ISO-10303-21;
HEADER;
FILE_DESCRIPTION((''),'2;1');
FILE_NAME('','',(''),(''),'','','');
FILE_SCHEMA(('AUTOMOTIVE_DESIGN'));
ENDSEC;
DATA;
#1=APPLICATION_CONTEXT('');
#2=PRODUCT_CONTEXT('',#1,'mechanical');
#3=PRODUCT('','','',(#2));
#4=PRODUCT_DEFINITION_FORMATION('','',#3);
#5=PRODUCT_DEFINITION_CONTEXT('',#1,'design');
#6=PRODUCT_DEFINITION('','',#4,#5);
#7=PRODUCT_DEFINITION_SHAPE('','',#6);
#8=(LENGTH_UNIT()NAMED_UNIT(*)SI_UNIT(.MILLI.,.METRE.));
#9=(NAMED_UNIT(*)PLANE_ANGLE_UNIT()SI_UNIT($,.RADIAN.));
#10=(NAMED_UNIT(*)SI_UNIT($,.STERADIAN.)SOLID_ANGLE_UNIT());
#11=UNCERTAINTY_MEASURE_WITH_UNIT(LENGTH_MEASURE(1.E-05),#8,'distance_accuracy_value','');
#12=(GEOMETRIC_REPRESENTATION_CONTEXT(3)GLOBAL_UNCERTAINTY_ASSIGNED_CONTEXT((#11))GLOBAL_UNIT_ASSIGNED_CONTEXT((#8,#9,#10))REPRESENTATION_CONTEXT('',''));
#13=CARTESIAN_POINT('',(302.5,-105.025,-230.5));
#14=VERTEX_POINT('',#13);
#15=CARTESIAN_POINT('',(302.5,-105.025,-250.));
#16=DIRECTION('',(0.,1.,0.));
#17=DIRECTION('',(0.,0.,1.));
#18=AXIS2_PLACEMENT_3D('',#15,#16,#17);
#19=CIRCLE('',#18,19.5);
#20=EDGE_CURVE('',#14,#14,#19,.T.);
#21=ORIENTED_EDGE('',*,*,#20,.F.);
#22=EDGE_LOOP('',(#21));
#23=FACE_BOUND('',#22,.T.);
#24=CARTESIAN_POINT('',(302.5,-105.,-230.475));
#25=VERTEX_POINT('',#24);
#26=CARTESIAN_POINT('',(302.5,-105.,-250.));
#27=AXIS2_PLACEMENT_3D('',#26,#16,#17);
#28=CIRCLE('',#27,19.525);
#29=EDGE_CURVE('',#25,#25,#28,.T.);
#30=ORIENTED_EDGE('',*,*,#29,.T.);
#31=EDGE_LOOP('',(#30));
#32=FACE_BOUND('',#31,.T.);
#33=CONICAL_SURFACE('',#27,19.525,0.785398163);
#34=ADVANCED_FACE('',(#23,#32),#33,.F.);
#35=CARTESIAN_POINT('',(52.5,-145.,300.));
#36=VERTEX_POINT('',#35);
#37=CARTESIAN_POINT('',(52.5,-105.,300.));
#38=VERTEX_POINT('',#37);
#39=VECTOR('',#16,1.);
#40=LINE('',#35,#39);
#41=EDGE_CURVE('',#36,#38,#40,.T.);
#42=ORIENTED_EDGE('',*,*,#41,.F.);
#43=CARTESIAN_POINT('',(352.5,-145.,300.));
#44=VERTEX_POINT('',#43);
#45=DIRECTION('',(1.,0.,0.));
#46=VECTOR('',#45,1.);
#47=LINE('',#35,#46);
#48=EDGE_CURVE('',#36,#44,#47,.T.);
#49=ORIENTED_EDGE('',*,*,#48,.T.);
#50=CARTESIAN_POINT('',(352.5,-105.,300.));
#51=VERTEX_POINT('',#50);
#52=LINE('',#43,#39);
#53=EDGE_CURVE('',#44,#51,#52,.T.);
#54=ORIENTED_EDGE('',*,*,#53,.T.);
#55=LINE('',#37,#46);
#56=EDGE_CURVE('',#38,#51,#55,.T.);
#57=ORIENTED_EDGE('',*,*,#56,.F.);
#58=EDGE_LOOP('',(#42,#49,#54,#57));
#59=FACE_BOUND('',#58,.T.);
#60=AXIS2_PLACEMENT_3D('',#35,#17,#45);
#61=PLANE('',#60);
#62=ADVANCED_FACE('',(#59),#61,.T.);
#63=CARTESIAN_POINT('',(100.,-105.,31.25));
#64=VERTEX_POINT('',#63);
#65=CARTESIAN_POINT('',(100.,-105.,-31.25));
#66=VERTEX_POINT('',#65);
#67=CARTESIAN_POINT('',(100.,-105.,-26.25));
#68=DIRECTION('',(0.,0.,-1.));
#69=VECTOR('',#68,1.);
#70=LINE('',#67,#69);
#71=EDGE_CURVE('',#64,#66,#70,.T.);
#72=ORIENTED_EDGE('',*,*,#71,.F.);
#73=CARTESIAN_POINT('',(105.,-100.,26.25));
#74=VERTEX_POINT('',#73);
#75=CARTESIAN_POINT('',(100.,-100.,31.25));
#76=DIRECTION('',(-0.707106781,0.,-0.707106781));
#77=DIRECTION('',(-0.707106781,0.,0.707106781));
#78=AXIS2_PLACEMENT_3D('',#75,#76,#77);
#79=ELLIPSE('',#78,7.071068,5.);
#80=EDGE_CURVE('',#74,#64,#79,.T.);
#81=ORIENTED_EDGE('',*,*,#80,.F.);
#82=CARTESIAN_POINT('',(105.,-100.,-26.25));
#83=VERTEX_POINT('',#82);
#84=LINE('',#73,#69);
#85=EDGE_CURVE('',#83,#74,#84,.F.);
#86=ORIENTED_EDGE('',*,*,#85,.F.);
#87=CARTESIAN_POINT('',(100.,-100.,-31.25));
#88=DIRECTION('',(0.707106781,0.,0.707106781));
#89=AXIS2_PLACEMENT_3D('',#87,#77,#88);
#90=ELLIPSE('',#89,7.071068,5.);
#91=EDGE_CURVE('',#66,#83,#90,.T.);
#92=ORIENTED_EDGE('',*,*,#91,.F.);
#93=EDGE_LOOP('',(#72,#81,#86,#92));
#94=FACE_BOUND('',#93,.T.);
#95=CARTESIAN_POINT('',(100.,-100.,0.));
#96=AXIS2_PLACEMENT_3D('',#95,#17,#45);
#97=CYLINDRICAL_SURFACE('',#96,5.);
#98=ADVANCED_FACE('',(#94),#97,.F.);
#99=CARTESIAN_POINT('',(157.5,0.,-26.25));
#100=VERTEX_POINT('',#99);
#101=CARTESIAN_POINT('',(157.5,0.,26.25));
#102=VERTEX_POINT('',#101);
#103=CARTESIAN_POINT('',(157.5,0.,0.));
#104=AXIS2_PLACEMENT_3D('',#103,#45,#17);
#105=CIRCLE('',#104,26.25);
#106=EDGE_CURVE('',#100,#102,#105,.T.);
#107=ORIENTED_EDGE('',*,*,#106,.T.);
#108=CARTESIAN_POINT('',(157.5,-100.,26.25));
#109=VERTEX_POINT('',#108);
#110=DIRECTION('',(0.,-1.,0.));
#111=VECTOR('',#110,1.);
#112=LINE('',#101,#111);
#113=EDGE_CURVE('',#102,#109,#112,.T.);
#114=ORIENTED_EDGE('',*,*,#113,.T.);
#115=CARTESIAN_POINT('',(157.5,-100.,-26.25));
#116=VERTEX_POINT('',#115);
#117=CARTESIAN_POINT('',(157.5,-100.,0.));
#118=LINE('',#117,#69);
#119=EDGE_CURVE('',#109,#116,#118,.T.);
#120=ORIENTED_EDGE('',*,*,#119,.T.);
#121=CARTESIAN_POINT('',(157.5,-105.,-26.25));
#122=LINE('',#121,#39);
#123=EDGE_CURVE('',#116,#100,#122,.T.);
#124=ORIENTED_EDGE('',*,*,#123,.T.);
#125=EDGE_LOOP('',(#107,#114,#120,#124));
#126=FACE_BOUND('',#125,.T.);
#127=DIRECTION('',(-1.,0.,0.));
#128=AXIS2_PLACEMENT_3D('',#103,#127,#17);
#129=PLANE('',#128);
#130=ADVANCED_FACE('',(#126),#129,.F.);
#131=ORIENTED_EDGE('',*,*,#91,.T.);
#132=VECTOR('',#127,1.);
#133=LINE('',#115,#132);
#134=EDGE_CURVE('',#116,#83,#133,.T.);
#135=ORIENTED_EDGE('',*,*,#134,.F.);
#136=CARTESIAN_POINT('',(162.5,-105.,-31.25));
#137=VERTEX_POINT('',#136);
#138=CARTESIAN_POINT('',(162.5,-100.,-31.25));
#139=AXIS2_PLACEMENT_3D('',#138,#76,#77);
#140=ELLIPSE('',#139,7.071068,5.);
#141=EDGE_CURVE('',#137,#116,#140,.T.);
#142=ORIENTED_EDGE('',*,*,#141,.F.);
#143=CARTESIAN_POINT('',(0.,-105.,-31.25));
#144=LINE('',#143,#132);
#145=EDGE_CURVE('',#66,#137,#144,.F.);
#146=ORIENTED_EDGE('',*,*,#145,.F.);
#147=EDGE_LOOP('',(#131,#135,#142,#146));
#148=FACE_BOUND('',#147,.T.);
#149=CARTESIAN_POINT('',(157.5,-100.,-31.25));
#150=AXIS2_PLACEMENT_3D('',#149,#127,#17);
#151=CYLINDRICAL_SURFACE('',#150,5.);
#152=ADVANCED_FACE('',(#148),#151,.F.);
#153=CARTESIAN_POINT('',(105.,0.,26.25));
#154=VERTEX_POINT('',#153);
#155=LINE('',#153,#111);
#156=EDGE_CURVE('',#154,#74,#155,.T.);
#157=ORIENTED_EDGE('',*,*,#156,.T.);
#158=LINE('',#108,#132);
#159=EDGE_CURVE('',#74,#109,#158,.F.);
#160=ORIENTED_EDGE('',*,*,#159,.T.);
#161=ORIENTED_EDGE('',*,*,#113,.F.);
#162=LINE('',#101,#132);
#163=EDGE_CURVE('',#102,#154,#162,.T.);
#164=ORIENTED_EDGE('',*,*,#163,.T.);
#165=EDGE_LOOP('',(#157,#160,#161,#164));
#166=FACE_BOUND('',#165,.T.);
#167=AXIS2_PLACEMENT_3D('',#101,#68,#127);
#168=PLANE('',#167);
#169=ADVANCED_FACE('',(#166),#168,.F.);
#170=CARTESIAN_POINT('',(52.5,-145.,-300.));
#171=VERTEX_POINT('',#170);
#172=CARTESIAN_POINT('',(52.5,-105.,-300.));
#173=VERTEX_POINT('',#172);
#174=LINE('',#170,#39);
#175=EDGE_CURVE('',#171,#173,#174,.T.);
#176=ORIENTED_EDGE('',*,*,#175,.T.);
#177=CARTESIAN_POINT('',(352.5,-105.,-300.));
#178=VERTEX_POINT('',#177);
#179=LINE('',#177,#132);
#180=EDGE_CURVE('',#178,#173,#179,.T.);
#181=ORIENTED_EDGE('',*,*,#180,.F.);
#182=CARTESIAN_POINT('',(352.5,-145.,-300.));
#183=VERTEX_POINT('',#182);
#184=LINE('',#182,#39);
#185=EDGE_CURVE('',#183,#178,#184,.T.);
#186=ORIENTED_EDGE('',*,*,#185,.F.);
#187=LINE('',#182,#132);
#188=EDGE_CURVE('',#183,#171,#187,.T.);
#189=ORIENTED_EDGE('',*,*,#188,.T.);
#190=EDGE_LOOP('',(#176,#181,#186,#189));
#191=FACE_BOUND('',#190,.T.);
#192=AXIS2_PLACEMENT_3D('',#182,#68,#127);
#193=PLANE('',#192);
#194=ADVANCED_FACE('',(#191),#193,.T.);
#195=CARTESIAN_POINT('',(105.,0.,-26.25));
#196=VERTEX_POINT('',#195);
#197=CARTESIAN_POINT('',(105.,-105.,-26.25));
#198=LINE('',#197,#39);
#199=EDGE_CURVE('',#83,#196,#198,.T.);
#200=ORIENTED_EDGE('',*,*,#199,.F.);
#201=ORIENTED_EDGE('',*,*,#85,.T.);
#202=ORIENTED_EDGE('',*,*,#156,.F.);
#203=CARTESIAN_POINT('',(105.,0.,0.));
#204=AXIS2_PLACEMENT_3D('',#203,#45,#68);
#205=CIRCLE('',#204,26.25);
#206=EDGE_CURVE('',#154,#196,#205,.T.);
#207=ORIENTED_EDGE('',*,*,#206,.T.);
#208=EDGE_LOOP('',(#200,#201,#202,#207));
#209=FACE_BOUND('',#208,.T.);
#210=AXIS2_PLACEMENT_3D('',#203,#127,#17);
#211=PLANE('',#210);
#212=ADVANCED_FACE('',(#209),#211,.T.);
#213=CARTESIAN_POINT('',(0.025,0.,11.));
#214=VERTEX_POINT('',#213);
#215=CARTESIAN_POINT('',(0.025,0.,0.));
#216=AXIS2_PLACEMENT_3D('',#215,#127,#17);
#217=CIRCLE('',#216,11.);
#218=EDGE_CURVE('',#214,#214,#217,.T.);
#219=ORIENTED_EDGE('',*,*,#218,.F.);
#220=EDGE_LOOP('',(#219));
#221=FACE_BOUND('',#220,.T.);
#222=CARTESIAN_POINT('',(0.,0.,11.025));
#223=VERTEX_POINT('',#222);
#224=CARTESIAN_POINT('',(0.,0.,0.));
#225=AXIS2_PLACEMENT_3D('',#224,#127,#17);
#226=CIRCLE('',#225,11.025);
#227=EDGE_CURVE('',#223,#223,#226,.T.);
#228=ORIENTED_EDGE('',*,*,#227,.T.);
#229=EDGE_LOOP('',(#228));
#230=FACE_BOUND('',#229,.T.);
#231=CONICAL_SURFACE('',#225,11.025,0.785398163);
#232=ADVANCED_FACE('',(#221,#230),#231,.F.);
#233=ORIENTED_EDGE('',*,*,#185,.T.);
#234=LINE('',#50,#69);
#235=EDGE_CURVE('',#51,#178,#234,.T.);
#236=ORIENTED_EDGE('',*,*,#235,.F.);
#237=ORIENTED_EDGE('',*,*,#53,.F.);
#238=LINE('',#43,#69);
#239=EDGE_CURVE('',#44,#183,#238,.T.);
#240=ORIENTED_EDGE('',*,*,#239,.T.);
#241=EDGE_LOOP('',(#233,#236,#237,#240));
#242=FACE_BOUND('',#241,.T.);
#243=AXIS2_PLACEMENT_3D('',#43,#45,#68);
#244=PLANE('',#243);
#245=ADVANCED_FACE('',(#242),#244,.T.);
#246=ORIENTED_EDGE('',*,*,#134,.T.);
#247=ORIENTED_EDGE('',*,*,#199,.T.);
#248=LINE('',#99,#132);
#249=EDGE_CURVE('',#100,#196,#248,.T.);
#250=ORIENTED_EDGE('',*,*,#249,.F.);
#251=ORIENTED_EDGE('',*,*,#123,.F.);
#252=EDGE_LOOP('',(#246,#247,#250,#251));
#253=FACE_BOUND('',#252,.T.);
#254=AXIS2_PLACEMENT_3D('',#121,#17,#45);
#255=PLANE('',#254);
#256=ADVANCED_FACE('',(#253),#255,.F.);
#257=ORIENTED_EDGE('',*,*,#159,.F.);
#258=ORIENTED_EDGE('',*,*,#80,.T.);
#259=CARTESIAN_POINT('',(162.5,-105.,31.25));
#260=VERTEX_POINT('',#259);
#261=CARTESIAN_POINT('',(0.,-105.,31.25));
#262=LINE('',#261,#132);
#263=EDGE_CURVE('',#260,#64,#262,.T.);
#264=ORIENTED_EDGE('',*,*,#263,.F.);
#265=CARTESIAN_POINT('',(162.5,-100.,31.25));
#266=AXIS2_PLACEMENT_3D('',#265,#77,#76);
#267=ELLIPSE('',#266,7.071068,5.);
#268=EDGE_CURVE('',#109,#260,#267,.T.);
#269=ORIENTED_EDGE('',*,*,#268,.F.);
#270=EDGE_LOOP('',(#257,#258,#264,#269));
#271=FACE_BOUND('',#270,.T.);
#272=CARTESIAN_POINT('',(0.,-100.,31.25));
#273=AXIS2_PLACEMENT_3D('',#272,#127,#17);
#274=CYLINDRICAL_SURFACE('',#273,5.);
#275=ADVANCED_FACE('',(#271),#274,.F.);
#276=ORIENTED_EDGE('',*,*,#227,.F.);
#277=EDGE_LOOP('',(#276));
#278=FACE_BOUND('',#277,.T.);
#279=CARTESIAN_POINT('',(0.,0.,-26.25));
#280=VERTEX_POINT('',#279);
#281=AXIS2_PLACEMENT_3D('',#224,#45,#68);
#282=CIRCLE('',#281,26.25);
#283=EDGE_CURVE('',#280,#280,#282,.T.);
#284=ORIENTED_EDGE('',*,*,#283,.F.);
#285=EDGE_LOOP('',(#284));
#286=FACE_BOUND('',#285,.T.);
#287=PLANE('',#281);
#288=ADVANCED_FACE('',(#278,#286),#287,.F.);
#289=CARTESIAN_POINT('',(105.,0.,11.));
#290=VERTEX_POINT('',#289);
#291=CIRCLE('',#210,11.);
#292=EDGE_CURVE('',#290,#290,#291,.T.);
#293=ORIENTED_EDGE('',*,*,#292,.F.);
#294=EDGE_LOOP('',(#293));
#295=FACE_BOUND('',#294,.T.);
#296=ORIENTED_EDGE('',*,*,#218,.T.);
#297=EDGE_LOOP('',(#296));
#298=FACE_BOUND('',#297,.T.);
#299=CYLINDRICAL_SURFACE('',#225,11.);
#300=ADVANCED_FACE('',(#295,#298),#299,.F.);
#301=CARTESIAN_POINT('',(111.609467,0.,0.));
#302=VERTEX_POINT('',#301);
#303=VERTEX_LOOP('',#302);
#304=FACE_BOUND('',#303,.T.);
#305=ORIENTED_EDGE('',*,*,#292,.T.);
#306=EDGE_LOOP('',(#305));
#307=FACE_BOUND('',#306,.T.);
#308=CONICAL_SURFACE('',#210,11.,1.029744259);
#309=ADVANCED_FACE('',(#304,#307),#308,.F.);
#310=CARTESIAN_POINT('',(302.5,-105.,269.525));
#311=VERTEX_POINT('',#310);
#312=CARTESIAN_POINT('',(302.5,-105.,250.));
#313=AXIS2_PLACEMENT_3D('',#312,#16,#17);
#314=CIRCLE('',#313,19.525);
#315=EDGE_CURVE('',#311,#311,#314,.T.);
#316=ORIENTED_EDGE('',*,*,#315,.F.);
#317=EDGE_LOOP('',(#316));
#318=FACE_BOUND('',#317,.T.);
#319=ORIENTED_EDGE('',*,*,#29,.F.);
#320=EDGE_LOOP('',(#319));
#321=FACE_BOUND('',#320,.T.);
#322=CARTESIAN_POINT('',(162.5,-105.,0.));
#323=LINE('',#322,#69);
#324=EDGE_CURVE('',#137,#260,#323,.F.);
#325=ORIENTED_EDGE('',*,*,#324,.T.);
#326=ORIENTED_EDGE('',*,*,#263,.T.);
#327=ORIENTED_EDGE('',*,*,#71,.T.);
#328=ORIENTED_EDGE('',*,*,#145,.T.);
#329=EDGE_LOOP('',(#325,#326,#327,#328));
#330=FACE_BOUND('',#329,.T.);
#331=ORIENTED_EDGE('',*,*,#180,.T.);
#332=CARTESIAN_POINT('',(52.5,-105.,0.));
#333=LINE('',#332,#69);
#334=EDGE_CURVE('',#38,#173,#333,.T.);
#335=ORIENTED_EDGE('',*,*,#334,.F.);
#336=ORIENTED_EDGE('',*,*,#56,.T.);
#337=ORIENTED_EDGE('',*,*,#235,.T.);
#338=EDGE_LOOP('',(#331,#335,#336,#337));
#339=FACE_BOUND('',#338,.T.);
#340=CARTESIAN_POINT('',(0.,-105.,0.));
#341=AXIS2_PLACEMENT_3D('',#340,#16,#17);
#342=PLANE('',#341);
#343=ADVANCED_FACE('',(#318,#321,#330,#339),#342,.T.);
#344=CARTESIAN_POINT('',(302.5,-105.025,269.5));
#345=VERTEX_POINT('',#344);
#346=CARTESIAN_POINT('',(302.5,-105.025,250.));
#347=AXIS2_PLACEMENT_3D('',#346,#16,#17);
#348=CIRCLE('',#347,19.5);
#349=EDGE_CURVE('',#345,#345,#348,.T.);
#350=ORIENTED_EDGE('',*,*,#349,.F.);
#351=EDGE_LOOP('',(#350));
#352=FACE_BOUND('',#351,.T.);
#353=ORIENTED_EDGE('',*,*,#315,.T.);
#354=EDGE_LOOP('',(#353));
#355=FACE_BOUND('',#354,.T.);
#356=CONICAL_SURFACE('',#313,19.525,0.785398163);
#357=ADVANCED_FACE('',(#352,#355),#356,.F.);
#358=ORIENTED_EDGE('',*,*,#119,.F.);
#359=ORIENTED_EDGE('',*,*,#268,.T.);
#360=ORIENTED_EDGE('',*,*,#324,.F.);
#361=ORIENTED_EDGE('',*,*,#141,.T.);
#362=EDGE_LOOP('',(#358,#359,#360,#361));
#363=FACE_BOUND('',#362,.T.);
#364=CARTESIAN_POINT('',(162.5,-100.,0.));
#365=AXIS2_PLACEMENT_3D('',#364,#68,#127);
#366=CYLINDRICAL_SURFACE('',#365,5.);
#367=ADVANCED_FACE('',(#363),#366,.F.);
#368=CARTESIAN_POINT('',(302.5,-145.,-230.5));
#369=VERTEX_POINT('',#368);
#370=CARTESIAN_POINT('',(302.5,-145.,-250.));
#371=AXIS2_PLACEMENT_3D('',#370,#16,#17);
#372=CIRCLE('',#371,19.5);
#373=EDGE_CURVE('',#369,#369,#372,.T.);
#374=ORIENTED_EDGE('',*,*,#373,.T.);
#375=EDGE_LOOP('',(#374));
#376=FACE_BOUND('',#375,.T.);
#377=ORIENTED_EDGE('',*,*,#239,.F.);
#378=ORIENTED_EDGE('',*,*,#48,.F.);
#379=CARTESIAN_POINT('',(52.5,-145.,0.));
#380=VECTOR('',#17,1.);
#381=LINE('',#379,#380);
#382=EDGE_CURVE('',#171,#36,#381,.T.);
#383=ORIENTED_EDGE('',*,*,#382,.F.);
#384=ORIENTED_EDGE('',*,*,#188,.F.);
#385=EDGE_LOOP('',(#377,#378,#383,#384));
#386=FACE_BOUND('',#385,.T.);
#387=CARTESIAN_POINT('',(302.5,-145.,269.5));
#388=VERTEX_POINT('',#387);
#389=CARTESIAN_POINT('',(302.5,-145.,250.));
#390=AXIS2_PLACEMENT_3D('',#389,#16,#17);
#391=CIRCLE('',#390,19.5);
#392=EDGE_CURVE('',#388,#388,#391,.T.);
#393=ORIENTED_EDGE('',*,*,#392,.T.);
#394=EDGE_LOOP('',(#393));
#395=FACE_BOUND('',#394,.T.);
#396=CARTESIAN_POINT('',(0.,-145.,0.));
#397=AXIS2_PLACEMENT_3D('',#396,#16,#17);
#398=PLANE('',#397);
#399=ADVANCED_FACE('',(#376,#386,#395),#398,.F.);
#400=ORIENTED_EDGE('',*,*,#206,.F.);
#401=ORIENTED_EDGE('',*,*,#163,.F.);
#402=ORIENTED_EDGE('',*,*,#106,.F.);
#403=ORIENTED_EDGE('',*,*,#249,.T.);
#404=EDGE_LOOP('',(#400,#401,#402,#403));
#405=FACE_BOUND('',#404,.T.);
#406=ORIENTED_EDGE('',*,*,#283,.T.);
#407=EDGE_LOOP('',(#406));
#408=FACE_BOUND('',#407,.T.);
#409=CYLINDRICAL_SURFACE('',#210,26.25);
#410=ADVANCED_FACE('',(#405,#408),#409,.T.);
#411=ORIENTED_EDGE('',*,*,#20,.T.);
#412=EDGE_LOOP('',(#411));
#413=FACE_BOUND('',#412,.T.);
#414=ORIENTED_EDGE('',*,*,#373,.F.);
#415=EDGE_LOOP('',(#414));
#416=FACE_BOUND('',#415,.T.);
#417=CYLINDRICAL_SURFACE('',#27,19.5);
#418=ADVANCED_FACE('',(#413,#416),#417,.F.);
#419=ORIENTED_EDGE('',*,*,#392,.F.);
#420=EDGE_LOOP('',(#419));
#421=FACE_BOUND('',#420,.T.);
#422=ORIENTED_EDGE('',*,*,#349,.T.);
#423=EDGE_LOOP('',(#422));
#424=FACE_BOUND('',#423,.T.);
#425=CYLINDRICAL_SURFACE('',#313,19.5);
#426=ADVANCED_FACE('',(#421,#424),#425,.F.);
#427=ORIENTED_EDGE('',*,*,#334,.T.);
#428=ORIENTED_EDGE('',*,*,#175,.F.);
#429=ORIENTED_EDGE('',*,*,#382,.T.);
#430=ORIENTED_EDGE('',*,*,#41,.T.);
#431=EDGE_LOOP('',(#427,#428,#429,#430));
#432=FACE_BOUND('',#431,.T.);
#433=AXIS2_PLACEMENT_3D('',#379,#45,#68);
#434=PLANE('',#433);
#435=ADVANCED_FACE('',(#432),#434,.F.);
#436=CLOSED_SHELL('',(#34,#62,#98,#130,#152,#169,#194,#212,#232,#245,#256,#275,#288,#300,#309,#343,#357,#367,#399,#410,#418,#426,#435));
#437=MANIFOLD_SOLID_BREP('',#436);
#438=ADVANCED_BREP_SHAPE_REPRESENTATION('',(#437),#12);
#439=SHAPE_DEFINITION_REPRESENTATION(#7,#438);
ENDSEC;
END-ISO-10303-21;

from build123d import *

# Parameters (mm, degrees)
SKETCH1_R                              = 26.25
BOSS_EXTRUDE1_DEPTH                    = 105
BOSS_EXTRUDE2_DEPTH                    = 52.5
TAP_DRILL_FOR_M24X2_0_TAP1_D           = 22
TAP_DRILL_FOR_M24X2_0_TAP1_DEPTH       = 105
TAP_DRILL_FOR_M24X2_0_TAP1_CSINK_D     = 22.05
TAP_DRILL_FOR_M24X2_0_TAP1_CSINK_ANGLE = 90
TAP_DRILL_FOR_M24X2_0_TAP1_TIP         = 6.609466809
BOSS_EXTRUDE3_DEPTH                    = 40
FILLET1_R                              = 5
TAP_DRILL_FOR_M42X3_0_TAP1_D           = 39
TAP_DRILL_FOR_M42X3_0_TAP1_CSINK_D     = 39.05
TAP_DRILL_FOR_M42X3_0_TAP1_CSINK_ANGLE = 90


with BuildPart() as part:
    # Sketch1 → Boss-Extrude1 (new body)
    with BuildSketch(Plane(origin=(0, 0, 0), x_dir=(0, 0, -1), z_dir=(1, 0, 0))):
        Circle(SKETCH1_R)
    extrude(amount=BOSS_EXTRUDE1_DEPTH)

    # Sketch2 → Boss-Extrude2 (add)
    with BuildSketch(Plane(origin=(105, 0, 0), x_dir=(0, 0, -1), z_dir=(1, 0, 0))):
        with BuildLine():
            Line((-26.25, 0), (-26.25, -105))
            Line((-26.25, -105), (26.25, -105))
            Line((26.25, -105), (26.25, 0))
            ThreePointArc((26.25, 0), (0, 26.25), (-26.25, 0))
        make_face()
    extrude(amount=BOSS_EXTRUDE2_DEPTH)

    # Tap Drill for M24x2.0 Tap1
    with Locations(Plane.ZY):
        with Locations((0, 0)):
            CounterSinkHole(TAP_DRILL_FOR_M24X2_0_TAP1_D / 2, TAP_DRILL_FOR_M24X2_0_TAP1_CSINK_D / 2, depth=TAP_DRILL_FOR_M24X2_0_TAP1_DEPTH, counter_sink_angle=TAP_DRILL_FOR_M24X2_0_TAP1_CSINK_ANGLE)
            with Locations((0, 0, -(TAP_DRILL_FOR_M24X2_0_TAP1_DEPTH + TAP_DRILL_FOR_M24X2_0_TAP1_TIP / 2))):  # 118° drill point
                Cone(0, TAP_DRILL_FOR_M24X2_0_TAP1_D / 2, TAP_DRILL_FOR_M24X2_0_TAP1_TIP, mode=Mode.SUBTRACT)

    # Sketch7 → Boss-Extrude3 (add)
    with BuildSketch(Plane.XZ.offset(105)):
        Polygon((52.5, 300), (352.5, 300), (352.5, -300), (52.5, -300), (52.5, 0), align=None)
    extrude(amount=BOSS_EXTRUDE3_DEPTH)

    # Fillet1
    fillet1_edges = [part.edges().sort_by_distance(p)[0] for p in [
        (105, -105, 0),
        (131.25, -105, 26.25),
        (131.25, -105, -26.25),
        (157.5, -105, 0),
    ]]
    fillet(fillet1_edges, radius=FILLET1_R)

    # Tap Drill for M42x3.0 Tap1 (through all)
    with Locations(Plane(origin=(0, -105, 0), x_dir=(1, 0, 0), z_dir=(0, 1, 0))):
        with Locations((302.5, -250), (302.5, 250)):
            CounterSinkHole(TAP_DRILL_FOR_M42X3_0_TAP1_D / 2, TAP_DRILL_FOR_M42X3_0_TAP1_CSINK_D / 2, counter_sink_angle=TAP_DRILL_FOR_M42X3_0_TAP1_CSINK_ANGLE)


solid = part.part
